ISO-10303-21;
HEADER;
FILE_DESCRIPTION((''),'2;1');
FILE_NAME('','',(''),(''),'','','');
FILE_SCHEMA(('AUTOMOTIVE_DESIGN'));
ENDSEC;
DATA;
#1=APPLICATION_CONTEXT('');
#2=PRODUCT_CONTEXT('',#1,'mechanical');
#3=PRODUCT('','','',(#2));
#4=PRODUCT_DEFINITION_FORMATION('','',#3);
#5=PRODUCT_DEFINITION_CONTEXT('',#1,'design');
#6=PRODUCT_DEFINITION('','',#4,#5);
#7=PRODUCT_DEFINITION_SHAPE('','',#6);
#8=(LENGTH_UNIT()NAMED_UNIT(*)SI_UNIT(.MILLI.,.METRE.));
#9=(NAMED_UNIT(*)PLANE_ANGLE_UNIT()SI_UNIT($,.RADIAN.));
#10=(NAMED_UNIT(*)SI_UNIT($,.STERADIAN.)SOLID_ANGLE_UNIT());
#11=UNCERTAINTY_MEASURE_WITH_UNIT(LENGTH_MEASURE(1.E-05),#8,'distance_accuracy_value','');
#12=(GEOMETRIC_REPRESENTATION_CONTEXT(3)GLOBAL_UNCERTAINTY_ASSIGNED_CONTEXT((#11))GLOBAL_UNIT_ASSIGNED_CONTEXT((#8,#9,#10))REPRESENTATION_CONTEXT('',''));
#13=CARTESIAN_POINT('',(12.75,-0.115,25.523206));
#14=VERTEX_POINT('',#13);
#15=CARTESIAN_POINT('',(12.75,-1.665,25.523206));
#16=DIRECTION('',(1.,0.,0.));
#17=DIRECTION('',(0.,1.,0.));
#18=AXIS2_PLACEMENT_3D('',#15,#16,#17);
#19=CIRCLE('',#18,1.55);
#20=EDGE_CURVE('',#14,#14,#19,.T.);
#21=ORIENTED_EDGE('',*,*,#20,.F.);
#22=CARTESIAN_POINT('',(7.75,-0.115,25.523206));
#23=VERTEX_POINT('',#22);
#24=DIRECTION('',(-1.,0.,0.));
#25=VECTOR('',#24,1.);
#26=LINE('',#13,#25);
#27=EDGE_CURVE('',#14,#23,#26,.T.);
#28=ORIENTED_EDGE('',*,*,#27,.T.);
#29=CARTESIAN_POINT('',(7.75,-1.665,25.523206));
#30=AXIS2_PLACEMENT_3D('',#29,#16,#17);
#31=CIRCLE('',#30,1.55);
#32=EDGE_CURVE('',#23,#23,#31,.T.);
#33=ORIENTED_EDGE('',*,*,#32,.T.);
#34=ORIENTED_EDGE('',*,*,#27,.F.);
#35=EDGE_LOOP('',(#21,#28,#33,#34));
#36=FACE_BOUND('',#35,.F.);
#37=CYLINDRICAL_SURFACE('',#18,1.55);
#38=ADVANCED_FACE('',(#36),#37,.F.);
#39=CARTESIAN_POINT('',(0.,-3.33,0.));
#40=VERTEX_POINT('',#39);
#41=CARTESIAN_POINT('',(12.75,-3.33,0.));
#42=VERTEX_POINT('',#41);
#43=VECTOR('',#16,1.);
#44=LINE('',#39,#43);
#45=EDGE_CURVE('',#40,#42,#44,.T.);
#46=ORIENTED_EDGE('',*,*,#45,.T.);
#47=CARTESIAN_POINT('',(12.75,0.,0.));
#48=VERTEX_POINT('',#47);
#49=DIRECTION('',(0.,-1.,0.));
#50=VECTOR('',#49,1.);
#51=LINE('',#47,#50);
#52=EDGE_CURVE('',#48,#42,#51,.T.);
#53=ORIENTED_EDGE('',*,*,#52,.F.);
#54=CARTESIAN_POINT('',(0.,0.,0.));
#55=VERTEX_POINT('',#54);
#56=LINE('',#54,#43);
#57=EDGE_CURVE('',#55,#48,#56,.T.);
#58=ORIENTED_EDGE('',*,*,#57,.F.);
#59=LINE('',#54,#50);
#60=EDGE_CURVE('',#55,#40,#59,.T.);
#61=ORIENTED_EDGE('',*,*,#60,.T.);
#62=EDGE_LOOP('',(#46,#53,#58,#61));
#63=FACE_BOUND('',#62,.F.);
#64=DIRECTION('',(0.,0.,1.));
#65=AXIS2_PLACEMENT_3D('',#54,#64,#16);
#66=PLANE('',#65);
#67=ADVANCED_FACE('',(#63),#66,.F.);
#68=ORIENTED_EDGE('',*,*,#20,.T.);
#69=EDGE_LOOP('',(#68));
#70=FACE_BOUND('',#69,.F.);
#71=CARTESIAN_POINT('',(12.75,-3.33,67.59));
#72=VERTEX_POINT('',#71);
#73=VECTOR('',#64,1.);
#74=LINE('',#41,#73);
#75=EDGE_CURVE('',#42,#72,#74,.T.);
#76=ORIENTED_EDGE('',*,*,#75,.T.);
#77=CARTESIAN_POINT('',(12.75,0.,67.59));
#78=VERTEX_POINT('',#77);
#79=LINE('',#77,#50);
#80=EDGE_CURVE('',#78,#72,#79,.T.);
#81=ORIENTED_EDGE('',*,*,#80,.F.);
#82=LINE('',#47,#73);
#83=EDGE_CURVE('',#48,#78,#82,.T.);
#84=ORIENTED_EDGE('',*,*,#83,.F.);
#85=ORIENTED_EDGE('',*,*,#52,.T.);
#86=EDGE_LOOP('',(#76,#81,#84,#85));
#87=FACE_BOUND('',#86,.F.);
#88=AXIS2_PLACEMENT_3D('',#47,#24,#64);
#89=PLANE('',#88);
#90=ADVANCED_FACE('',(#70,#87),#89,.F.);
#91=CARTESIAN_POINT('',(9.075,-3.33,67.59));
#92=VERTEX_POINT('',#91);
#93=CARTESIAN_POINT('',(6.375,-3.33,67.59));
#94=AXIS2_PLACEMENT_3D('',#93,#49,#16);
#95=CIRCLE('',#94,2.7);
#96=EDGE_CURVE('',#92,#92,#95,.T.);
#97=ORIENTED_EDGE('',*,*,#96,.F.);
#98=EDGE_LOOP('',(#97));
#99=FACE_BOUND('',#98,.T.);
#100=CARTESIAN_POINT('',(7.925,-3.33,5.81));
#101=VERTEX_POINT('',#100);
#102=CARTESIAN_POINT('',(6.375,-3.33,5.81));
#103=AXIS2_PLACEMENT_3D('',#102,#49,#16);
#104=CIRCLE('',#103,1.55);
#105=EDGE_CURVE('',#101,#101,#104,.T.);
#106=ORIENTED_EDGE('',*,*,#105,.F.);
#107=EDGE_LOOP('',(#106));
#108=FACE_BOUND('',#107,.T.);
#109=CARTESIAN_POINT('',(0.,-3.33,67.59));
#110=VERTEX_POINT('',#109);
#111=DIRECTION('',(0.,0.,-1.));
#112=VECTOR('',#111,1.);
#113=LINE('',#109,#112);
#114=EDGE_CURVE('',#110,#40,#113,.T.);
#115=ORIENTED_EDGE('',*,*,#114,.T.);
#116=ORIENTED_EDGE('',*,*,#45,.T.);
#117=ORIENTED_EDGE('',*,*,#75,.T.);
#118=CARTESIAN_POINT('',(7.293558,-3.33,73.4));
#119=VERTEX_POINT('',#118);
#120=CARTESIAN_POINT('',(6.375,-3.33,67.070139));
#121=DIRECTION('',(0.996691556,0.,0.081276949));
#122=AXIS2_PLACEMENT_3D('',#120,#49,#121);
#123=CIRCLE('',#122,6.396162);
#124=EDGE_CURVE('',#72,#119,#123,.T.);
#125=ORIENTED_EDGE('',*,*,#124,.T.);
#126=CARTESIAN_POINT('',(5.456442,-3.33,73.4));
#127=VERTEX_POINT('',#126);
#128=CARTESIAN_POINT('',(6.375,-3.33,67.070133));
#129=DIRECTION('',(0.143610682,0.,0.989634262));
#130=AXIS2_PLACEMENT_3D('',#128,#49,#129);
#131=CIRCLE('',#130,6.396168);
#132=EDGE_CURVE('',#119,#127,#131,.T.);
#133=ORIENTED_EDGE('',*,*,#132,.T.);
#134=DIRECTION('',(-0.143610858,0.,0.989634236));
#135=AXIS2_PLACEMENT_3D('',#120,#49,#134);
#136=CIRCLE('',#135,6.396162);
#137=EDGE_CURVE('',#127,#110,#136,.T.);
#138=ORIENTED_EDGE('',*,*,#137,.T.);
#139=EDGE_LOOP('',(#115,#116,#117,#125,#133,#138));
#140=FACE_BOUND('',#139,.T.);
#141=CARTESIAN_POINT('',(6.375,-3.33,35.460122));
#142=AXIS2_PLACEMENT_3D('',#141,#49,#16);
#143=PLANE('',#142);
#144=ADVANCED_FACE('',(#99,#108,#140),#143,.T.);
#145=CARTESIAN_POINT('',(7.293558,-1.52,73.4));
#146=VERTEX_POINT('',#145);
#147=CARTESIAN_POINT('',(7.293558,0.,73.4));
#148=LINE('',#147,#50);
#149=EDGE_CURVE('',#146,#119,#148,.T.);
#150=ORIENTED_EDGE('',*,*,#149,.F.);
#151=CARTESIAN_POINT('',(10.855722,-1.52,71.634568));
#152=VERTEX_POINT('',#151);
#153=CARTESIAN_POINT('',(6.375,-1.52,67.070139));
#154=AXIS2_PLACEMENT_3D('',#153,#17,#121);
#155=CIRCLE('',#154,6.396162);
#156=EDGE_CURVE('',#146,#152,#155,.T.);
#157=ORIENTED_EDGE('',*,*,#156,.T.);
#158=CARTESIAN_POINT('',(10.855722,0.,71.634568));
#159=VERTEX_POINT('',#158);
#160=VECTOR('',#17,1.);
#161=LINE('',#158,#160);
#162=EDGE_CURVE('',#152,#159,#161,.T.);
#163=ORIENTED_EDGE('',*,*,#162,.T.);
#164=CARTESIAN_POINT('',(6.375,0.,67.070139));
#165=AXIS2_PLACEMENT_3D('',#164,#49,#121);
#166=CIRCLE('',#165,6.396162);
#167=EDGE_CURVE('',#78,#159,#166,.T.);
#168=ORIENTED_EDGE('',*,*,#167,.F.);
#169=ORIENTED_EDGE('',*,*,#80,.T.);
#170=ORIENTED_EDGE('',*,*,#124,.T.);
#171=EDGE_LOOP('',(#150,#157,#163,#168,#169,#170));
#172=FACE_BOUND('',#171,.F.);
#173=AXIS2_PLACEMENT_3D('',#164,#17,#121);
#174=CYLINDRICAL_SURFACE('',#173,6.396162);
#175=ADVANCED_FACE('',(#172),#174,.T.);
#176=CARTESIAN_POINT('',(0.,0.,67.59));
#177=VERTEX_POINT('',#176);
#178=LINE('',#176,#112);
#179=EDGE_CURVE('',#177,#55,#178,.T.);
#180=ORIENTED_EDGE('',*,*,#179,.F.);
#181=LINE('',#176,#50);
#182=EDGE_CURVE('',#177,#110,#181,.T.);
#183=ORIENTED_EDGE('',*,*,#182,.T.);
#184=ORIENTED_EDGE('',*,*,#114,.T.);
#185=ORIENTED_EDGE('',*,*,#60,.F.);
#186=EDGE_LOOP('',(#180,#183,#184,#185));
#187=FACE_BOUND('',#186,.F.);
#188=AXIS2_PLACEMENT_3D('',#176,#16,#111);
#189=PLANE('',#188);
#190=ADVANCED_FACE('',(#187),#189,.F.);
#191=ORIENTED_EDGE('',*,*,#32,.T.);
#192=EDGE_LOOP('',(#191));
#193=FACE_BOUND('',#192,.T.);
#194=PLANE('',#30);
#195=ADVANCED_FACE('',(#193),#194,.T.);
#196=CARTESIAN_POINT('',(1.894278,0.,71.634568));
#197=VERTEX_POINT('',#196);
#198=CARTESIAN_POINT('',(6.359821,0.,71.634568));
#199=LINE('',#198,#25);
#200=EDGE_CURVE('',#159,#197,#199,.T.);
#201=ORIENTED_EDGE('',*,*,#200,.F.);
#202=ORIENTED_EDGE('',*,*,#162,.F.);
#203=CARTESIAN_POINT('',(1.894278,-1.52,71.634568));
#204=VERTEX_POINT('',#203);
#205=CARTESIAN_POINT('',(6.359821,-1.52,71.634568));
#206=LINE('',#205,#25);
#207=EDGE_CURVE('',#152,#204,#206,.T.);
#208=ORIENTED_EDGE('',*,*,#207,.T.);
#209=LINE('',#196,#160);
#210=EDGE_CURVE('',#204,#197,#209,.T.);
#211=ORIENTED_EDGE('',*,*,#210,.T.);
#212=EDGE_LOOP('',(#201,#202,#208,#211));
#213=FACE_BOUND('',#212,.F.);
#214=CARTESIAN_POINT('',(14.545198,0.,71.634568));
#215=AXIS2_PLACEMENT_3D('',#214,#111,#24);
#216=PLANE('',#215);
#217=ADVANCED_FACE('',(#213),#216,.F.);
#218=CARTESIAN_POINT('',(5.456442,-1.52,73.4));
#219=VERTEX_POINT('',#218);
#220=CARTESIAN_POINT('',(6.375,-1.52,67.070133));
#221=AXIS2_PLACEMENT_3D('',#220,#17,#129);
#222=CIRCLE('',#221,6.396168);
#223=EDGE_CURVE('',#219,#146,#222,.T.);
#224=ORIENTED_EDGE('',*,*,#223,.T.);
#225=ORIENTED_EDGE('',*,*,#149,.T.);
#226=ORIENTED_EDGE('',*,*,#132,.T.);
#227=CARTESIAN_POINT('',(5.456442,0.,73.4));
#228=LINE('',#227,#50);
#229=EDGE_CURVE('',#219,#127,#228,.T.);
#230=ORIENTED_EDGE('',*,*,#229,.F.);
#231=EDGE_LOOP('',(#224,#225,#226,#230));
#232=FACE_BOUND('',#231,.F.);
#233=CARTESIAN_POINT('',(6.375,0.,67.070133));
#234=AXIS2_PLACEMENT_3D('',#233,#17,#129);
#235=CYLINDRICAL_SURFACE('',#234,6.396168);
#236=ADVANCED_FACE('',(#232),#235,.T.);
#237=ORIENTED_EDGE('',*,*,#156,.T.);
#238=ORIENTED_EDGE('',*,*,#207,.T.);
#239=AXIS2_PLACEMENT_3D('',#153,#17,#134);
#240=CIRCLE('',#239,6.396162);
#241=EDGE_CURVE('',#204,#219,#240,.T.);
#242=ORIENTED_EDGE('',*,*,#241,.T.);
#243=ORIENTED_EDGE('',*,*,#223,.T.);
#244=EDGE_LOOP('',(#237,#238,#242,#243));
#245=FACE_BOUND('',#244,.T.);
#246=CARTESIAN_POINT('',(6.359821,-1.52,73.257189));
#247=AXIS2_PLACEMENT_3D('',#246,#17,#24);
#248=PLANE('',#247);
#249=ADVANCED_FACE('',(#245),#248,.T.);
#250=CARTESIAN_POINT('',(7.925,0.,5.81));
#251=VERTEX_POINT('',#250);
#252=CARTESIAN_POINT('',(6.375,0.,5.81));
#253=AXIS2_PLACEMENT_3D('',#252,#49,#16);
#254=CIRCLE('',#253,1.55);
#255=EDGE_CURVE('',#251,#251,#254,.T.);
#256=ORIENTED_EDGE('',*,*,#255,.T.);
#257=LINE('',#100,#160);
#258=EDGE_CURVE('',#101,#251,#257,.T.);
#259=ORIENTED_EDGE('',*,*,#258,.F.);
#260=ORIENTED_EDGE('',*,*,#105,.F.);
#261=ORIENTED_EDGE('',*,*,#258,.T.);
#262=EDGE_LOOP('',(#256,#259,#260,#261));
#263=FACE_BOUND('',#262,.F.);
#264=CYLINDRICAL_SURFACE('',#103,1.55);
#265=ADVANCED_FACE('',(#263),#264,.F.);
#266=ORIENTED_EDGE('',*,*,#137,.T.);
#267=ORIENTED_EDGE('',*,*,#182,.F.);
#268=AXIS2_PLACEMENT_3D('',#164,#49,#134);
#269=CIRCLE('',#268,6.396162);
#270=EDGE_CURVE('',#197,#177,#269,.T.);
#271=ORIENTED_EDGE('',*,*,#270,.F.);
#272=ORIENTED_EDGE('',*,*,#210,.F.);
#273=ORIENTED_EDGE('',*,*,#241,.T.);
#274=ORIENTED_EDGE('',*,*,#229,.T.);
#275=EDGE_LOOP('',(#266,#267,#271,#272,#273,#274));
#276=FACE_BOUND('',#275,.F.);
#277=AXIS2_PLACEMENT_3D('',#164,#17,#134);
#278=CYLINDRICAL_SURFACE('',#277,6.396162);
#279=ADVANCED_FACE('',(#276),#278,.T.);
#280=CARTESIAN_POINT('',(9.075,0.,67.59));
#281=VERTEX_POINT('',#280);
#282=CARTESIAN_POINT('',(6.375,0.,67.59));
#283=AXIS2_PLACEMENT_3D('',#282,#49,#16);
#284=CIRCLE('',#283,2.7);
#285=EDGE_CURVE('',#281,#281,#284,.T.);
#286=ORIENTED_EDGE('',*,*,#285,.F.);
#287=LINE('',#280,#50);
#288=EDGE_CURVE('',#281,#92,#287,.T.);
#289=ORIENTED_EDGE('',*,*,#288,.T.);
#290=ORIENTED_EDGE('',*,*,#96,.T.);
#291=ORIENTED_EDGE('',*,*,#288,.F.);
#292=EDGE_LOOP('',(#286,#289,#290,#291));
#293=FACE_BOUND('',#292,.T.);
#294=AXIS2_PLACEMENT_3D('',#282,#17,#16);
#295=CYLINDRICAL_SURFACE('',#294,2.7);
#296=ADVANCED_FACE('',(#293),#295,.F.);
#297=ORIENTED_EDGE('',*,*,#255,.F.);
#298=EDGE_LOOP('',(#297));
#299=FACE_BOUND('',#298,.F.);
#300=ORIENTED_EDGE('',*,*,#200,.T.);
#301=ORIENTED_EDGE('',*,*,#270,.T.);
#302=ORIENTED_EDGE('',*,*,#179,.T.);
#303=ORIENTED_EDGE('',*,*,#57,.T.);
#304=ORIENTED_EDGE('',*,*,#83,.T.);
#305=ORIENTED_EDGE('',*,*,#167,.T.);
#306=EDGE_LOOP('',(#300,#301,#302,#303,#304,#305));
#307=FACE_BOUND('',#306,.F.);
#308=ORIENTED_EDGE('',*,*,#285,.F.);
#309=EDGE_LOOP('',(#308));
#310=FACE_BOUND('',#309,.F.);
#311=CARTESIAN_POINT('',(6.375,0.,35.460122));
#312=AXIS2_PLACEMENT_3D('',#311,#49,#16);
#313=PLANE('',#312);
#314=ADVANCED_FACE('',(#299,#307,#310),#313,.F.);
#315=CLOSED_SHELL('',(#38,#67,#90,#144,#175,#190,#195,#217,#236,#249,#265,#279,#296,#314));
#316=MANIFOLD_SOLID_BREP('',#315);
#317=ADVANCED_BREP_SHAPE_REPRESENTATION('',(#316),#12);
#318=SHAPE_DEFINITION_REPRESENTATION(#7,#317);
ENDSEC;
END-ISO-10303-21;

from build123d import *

# Parameters (mm, degrees)
F0_R     = 2.7
F1_DEPTH = 3.33
F3_W     = 16.370755
F3_H     = 3.245242
F4_DEPTH = 1.52
F5_R     = 1.55
F6_DEPTH = 3.331
F7_R     = 1.55
F8_DEPTH = 5


with BuildPart() as f1:
    # F0 (on Front) → F1 (new body)
    with BuildSketch(Plane.XZ):
        with BuildLine():
            Line((0, 67.59), (0, 0))
            Line((0, 0), (12.75, 0))
            Line((12.75, 0), (12.75, 67.59))
            ThreePointArc((12.75, 67.59), (11.037405, 71.448822), (7.293558, 73.4))
            Line((7.293558, 73.4), (5.456442, 73.4))
            ThreePointArc((5.456442, 73.4), (1.712595, 71.448822), (0, 67.59))
        make_face()
        with Locations((6.375, 67.59)):
            Circle(F0_R, mode=Mode.SUBTRACT)
        with BuildLine():
            ThreePointArc((7.293558, 73.4), (6.375, 73.466301), (5.456442, 73.4))
            Line((5.456442, 73.4), (7.293558, 73.4))
        make_face()
    extrude(amount=F1_DEPTH)

    # F3 (on face) → F4 (cut)
    with BuildSketch(Plane(origin=(0, 0, 0), x_dir=(-1, 0, 0), z_dir=(0, 1, 0))):
        with Locations((-6.359821, 73.257189)):
            Rectangle(F3_W, F3_H)
    extrude(amount=-F4_DEPTH, mode=Mode.SUBTRACT)

    # F5 (on face) → F6 (cut, through all)
    with BuildSketch(Plane.XZ.offset(3.33)):
        with Locations((6.375, 5.81)):
            Circle(F5_R)
    extrude(amount=-F6_DEPTH, mode=Mode.SUBTRACT)

    # F7 (on face) → F8 (cut)
    with BuildSketch(Plane.YZ.offset(12.75)):
        with Locations((-1.665, 25.523206)):
            Circle(F7_R)
    extrude(amount=-F8_DEPTH, mode=Mode.SUBTRACT)


solid = f1.part
